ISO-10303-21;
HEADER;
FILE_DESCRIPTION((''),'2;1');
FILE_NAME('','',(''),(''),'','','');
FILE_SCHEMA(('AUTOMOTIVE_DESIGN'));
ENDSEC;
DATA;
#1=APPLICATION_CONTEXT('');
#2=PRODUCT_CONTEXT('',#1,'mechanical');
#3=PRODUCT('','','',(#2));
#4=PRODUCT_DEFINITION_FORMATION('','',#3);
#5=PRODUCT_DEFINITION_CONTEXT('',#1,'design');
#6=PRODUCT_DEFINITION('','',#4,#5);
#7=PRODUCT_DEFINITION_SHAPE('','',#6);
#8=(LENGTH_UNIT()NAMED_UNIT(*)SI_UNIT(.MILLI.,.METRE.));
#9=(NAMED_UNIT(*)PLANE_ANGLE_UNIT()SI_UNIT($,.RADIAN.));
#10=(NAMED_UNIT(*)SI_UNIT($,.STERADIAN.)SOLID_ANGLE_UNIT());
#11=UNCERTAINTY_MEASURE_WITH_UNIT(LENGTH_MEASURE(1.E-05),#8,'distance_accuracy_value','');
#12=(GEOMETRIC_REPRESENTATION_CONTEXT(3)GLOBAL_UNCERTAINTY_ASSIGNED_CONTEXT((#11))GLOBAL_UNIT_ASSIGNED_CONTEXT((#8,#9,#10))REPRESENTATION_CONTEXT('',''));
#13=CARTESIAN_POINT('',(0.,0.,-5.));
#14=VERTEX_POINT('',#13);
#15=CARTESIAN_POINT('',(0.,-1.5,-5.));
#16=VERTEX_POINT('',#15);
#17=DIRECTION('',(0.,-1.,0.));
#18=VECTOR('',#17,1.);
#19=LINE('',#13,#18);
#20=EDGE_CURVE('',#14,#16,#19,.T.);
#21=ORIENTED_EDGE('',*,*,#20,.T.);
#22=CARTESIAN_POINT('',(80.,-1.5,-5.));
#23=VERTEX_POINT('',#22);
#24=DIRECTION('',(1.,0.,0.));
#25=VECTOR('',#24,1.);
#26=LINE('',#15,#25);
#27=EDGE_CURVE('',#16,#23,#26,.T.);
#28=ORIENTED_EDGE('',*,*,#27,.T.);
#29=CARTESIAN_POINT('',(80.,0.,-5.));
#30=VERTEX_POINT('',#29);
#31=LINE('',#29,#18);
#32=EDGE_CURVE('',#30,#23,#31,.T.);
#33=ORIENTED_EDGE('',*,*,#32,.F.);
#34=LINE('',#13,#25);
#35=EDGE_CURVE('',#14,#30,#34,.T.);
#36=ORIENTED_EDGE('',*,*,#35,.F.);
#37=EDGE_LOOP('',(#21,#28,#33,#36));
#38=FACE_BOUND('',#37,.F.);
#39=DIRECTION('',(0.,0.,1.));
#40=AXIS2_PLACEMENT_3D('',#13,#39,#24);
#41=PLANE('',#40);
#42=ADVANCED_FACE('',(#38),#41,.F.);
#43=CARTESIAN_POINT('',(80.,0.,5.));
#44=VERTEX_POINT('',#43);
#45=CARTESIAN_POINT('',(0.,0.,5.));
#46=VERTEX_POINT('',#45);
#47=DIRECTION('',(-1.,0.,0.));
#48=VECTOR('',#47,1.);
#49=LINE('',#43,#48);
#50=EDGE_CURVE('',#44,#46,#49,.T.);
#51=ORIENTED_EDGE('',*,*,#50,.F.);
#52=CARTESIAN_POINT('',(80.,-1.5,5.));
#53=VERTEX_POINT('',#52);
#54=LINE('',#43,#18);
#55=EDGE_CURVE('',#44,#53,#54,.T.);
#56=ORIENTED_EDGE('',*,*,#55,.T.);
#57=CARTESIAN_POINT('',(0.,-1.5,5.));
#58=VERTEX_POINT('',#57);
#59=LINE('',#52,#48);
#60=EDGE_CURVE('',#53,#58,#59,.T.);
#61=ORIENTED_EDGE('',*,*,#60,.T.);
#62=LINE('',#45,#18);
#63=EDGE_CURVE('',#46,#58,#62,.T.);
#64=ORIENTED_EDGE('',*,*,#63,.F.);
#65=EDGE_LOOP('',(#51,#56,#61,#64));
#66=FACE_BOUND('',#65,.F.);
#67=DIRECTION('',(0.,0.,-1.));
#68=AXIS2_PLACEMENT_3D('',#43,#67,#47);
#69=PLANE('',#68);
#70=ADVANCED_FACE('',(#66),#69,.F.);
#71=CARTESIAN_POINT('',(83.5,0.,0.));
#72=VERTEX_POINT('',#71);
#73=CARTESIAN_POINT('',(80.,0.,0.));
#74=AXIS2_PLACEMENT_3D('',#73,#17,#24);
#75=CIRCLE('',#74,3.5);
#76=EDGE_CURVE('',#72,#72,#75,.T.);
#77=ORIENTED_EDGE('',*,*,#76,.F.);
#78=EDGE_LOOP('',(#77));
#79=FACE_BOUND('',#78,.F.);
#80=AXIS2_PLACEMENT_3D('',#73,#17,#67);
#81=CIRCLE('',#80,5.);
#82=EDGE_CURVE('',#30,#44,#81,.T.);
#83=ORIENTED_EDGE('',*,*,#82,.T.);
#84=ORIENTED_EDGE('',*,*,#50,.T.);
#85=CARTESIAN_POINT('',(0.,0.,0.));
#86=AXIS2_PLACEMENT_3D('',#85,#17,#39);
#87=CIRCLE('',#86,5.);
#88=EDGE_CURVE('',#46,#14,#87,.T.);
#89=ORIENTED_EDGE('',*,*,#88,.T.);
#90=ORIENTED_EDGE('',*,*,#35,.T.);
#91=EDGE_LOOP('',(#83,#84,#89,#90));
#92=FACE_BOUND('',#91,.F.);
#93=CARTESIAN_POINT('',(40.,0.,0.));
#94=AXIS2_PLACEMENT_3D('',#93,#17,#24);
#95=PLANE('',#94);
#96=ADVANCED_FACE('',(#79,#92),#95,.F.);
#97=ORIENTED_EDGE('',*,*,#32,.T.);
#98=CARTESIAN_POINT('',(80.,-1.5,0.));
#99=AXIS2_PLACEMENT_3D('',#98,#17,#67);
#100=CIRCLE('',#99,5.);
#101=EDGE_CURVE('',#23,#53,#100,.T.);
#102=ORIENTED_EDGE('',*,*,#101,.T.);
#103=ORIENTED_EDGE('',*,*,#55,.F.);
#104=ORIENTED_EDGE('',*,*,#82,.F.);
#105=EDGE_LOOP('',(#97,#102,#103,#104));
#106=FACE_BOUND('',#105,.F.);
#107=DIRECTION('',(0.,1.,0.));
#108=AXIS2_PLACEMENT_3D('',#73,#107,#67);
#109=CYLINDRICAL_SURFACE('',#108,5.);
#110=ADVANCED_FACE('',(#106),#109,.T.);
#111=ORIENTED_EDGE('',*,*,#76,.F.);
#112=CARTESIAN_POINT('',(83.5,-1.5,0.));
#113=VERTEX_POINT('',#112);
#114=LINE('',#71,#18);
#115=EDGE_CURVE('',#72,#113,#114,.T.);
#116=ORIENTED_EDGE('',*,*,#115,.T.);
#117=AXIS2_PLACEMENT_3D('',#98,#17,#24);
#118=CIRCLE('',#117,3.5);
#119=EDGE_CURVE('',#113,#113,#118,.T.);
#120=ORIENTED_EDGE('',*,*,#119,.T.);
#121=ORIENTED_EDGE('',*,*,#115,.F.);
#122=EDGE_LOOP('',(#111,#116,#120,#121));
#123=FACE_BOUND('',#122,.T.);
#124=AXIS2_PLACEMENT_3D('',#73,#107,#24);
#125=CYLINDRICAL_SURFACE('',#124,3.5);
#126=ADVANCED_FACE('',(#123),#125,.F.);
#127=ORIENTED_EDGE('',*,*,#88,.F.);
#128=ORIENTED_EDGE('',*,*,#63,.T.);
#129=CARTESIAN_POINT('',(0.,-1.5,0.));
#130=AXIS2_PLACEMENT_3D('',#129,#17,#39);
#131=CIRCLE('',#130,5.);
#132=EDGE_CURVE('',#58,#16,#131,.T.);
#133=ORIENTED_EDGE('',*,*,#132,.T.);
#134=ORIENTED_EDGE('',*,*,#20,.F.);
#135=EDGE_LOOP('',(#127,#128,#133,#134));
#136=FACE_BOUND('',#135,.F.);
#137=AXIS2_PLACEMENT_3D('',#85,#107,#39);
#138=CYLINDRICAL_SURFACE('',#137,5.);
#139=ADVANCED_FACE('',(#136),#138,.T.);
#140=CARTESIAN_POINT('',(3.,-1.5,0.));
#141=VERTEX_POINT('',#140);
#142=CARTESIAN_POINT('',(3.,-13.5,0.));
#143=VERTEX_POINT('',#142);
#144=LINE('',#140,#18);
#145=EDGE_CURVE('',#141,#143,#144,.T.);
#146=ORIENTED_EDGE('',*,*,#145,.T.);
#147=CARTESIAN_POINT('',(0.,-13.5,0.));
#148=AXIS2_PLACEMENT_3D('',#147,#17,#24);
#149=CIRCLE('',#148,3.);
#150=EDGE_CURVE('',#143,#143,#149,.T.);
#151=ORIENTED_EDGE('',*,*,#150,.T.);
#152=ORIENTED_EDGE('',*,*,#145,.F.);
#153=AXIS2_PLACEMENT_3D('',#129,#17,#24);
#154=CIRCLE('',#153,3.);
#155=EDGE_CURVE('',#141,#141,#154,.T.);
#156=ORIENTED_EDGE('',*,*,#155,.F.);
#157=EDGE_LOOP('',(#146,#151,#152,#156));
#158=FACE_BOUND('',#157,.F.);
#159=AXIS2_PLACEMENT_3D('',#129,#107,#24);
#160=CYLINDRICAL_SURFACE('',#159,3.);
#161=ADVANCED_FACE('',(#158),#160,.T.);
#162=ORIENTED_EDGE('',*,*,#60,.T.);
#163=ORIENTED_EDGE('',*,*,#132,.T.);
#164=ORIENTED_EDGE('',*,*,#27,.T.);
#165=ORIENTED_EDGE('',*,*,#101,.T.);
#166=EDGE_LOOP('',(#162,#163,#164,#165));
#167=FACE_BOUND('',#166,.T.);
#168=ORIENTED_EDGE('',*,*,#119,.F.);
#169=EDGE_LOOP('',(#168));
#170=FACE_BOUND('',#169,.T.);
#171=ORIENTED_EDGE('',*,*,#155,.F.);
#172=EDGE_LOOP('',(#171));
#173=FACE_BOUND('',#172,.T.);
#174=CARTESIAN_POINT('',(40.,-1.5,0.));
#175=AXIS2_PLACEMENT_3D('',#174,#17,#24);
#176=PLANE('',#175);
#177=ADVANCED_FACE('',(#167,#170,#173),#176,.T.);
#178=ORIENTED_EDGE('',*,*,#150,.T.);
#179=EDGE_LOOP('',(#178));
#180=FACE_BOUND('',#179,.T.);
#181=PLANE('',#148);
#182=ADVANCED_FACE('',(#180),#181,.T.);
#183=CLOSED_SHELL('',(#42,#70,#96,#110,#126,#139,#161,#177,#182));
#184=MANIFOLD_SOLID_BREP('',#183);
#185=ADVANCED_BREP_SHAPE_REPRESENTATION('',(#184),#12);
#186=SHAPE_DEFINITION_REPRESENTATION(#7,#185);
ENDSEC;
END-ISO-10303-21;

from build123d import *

# Parameters (mm, degrees)
F0_R     = 3.5
F1_DEPTH = 1.5
F2_R     = 3
F3_DEPTH = 12


with BuildPart() as f1:
    # F0 (on Front) → F1 (new body)
    with BuildSketch(Plane.XZ):
        with BuildLine():
            Line((80, 5), (0, 5))
            ThreePointArc((0, 5), (-5, 0), (0, -5))
            Line((0, -5), (80, -5))
            ThreePointArc((80, -5), (85, 0), (80, 5))
        make_face()
        with Locations((80, 0)):
            Circle(F0_R, mode=Mode.SUBTRACT)
    extrude(amount=F1_DEPTH)

    # F2 (on face) → F3 (join)
    with BuildSketch(Plane.XZ.offset(1.5)):
        Circle(F2_R)
    extrude(amount=F3_DEPTH)


solid = f1.part
